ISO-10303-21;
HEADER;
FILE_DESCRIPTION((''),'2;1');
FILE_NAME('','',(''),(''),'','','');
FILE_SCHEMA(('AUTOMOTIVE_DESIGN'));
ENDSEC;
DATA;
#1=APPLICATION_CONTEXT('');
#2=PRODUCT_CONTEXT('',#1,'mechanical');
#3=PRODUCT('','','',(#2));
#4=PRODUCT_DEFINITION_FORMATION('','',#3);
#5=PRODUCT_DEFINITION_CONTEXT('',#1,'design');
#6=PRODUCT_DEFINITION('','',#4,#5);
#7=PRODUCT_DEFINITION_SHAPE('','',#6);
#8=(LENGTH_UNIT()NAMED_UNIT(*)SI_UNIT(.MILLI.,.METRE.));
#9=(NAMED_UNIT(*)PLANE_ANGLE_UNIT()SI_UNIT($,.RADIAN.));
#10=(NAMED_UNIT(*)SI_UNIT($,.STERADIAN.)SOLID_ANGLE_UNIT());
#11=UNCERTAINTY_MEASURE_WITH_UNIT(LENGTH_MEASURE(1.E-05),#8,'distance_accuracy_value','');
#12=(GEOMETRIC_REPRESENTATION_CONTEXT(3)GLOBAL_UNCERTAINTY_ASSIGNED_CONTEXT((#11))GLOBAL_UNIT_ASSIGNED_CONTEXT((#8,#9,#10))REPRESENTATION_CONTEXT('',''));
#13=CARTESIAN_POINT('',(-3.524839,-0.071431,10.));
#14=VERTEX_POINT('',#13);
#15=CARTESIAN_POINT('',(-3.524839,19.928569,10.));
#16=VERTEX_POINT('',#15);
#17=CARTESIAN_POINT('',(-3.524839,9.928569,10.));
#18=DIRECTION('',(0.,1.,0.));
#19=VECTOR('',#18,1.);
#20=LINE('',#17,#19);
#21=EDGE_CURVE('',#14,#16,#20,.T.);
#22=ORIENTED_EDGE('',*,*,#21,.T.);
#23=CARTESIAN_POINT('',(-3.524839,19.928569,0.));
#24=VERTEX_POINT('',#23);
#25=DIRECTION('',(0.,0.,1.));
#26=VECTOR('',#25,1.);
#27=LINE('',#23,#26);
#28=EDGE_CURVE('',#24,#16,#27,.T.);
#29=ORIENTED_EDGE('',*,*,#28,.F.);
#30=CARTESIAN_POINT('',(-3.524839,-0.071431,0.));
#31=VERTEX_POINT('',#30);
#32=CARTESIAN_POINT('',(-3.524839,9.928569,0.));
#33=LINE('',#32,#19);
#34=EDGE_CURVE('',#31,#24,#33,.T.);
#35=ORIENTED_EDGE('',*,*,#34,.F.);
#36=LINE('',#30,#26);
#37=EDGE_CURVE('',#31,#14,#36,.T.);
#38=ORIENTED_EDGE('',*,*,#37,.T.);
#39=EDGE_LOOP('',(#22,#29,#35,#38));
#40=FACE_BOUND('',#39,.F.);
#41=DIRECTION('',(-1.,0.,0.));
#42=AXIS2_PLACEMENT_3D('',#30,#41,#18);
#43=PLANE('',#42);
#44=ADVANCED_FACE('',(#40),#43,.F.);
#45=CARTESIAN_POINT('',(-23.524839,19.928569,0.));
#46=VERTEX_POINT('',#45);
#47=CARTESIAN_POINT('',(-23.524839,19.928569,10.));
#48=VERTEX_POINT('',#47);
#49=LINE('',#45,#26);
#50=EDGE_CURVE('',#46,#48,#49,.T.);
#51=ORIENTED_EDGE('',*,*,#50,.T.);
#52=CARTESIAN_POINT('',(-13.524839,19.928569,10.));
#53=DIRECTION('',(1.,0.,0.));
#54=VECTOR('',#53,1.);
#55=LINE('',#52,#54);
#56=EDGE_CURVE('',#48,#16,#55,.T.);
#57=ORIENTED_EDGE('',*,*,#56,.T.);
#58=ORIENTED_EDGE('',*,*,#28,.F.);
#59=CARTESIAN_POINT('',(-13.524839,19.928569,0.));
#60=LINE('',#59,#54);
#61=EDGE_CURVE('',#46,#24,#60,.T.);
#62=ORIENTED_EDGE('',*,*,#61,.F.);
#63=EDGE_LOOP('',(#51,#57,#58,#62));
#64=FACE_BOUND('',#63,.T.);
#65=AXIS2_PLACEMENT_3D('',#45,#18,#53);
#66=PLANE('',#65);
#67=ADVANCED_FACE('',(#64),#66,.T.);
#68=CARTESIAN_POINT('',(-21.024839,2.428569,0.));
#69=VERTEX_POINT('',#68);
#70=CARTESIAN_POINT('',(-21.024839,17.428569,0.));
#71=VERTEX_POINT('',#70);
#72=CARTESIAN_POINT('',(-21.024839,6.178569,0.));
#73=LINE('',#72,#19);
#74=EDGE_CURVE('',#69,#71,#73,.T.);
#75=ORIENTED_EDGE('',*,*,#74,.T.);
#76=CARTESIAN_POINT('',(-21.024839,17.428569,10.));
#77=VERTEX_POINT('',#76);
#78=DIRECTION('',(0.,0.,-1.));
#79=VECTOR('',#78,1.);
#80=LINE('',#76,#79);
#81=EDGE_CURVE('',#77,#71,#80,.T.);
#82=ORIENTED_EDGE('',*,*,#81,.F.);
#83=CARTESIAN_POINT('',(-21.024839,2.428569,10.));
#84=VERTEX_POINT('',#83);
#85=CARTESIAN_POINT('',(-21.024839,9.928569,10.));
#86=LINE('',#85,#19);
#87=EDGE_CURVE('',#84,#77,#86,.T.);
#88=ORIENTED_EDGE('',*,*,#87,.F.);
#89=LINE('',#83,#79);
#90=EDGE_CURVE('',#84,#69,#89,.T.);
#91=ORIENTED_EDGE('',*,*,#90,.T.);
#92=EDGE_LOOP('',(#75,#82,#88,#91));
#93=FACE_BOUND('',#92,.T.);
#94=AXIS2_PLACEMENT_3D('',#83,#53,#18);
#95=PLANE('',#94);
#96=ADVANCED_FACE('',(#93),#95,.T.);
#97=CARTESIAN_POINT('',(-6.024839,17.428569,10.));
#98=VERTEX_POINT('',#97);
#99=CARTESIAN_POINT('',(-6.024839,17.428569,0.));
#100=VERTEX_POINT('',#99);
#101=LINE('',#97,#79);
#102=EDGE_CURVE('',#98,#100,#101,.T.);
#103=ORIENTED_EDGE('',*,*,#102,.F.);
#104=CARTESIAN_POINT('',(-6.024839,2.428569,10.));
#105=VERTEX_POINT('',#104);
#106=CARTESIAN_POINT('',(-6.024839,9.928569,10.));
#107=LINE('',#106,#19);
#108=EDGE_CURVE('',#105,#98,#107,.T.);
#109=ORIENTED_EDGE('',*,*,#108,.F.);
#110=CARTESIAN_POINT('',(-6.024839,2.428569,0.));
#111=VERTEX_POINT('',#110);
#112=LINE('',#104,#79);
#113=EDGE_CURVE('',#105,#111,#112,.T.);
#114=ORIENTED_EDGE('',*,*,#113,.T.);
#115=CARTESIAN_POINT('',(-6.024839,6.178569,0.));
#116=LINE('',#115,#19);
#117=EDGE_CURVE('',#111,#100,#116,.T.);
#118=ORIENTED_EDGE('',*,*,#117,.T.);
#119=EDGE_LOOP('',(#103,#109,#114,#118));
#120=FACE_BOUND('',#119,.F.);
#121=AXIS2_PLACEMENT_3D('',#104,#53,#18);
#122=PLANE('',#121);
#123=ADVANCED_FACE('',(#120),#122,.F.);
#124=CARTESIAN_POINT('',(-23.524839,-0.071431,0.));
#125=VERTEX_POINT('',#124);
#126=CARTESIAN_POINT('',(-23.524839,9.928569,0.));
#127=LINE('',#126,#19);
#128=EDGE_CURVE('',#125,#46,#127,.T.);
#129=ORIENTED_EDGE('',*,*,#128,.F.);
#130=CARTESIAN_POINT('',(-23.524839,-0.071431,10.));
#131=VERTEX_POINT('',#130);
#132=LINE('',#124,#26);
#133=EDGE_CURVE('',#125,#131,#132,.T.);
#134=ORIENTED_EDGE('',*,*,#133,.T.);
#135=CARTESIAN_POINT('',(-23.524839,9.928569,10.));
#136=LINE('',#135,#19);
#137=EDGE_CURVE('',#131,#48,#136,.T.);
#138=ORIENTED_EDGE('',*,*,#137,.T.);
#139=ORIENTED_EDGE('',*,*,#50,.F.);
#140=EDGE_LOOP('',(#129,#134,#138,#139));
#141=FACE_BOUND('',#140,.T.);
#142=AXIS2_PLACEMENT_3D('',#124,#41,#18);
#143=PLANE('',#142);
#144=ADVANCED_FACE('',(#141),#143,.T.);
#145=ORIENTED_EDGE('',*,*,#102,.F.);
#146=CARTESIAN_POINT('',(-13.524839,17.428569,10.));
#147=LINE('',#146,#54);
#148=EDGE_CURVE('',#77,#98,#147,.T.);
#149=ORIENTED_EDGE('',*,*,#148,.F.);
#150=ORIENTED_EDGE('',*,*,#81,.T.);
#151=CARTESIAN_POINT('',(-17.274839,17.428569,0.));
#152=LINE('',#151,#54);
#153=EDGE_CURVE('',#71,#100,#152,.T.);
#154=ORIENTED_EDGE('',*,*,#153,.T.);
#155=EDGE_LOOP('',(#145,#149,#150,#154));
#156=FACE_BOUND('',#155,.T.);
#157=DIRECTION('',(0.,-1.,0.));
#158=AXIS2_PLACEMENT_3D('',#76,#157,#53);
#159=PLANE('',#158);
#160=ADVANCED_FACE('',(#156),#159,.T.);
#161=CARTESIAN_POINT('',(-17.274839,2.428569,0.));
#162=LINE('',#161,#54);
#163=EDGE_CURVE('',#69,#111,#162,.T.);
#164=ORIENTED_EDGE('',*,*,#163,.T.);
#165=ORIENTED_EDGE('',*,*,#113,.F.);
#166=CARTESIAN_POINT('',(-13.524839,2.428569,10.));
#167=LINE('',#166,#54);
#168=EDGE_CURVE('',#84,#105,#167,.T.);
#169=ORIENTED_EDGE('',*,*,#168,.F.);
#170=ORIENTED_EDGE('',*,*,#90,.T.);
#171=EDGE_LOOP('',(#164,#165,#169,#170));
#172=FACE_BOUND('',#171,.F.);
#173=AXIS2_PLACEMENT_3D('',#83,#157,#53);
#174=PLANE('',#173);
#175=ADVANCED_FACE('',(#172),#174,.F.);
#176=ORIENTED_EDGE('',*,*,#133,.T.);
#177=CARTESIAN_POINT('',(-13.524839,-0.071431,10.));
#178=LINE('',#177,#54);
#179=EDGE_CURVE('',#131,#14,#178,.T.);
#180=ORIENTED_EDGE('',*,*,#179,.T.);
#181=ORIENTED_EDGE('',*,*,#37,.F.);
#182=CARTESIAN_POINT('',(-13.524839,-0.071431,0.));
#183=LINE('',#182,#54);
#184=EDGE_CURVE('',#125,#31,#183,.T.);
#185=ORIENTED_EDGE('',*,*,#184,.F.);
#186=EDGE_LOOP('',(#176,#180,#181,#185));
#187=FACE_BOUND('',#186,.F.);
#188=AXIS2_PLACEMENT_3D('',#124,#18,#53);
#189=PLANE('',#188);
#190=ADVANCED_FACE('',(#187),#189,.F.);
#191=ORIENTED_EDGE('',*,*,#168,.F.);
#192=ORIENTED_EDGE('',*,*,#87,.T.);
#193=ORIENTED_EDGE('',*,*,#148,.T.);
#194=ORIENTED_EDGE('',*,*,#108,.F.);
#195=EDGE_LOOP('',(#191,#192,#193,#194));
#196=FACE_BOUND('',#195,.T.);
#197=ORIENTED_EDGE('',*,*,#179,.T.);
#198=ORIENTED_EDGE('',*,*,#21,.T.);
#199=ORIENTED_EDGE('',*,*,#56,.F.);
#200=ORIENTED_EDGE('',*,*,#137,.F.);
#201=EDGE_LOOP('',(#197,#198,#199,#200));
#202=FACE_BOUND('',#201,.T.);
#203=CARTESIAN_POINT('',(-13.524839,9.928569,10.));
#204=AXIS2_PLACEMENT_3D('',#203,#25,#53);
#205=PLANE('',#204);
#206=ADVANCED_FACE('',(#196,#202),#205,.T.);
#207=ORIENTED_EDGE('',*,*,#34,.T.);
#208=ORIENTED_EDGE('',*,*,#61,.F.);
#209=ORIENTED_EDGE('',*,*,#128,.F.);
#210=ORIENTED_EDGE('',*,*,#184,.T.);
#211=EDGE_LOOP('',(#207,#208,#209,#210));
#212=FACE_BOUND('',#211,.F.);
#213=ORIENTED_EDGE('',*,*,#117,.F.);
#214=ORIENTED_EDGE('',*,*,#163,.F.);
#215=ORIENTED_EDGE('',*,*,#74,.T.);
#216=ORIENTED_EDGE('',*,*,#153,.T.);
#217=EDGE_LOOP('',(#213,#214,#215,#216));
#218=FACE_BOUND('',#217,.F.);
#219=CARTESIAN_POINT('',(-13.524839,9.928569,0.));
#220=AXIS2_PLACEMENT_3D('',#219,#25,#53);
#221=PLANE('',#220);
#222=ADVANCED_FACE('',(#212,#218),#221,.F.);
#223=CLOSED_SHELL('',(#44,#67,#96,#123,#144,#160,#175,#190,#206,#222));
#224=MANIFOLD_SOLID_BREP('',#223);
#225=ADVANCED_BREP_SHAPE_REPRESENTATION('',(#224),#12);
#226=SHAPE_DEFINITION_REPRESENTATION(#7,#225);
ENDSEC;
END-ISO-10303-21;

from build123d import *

# Parameters (mm, degrees)
F0_R     = 7.5
F1_DEPTH = 0.4
F3_W     = 20
F3_H     = 20
F4_DEPTH = 10
F5_W     = 15
F5_H     = 15
F6_DEPTH = 25


with BuildPart() as f1:
    # F0 (on Top) → F1 (new body)
    with BuildSketch(Plane.XY):
        Circle(F0_R)
    extrude(amount=F1_DEPTH)


with BuildPart() as f4:
    # F3 (on Top) → F4 (new body)
    with BuildSketch(Plane.XY):
        with Locations((-13.5248391889, 9.9285685438)):
            Rectangle(F3_W, F3_H)
    extrude(amount=F4_DEPTH)

    # F5 (on face) → F6 (cut)
    with BuildSketch(Plane.XY.offset(10)):
        with Locations((-13.5248391889, 9.9285685438)):
            Rectangle(F5_W, F5_H)
    extrude(amount=-F6_DEPTH, mode=Mode.SUBTRACT)


solid = f4.part
